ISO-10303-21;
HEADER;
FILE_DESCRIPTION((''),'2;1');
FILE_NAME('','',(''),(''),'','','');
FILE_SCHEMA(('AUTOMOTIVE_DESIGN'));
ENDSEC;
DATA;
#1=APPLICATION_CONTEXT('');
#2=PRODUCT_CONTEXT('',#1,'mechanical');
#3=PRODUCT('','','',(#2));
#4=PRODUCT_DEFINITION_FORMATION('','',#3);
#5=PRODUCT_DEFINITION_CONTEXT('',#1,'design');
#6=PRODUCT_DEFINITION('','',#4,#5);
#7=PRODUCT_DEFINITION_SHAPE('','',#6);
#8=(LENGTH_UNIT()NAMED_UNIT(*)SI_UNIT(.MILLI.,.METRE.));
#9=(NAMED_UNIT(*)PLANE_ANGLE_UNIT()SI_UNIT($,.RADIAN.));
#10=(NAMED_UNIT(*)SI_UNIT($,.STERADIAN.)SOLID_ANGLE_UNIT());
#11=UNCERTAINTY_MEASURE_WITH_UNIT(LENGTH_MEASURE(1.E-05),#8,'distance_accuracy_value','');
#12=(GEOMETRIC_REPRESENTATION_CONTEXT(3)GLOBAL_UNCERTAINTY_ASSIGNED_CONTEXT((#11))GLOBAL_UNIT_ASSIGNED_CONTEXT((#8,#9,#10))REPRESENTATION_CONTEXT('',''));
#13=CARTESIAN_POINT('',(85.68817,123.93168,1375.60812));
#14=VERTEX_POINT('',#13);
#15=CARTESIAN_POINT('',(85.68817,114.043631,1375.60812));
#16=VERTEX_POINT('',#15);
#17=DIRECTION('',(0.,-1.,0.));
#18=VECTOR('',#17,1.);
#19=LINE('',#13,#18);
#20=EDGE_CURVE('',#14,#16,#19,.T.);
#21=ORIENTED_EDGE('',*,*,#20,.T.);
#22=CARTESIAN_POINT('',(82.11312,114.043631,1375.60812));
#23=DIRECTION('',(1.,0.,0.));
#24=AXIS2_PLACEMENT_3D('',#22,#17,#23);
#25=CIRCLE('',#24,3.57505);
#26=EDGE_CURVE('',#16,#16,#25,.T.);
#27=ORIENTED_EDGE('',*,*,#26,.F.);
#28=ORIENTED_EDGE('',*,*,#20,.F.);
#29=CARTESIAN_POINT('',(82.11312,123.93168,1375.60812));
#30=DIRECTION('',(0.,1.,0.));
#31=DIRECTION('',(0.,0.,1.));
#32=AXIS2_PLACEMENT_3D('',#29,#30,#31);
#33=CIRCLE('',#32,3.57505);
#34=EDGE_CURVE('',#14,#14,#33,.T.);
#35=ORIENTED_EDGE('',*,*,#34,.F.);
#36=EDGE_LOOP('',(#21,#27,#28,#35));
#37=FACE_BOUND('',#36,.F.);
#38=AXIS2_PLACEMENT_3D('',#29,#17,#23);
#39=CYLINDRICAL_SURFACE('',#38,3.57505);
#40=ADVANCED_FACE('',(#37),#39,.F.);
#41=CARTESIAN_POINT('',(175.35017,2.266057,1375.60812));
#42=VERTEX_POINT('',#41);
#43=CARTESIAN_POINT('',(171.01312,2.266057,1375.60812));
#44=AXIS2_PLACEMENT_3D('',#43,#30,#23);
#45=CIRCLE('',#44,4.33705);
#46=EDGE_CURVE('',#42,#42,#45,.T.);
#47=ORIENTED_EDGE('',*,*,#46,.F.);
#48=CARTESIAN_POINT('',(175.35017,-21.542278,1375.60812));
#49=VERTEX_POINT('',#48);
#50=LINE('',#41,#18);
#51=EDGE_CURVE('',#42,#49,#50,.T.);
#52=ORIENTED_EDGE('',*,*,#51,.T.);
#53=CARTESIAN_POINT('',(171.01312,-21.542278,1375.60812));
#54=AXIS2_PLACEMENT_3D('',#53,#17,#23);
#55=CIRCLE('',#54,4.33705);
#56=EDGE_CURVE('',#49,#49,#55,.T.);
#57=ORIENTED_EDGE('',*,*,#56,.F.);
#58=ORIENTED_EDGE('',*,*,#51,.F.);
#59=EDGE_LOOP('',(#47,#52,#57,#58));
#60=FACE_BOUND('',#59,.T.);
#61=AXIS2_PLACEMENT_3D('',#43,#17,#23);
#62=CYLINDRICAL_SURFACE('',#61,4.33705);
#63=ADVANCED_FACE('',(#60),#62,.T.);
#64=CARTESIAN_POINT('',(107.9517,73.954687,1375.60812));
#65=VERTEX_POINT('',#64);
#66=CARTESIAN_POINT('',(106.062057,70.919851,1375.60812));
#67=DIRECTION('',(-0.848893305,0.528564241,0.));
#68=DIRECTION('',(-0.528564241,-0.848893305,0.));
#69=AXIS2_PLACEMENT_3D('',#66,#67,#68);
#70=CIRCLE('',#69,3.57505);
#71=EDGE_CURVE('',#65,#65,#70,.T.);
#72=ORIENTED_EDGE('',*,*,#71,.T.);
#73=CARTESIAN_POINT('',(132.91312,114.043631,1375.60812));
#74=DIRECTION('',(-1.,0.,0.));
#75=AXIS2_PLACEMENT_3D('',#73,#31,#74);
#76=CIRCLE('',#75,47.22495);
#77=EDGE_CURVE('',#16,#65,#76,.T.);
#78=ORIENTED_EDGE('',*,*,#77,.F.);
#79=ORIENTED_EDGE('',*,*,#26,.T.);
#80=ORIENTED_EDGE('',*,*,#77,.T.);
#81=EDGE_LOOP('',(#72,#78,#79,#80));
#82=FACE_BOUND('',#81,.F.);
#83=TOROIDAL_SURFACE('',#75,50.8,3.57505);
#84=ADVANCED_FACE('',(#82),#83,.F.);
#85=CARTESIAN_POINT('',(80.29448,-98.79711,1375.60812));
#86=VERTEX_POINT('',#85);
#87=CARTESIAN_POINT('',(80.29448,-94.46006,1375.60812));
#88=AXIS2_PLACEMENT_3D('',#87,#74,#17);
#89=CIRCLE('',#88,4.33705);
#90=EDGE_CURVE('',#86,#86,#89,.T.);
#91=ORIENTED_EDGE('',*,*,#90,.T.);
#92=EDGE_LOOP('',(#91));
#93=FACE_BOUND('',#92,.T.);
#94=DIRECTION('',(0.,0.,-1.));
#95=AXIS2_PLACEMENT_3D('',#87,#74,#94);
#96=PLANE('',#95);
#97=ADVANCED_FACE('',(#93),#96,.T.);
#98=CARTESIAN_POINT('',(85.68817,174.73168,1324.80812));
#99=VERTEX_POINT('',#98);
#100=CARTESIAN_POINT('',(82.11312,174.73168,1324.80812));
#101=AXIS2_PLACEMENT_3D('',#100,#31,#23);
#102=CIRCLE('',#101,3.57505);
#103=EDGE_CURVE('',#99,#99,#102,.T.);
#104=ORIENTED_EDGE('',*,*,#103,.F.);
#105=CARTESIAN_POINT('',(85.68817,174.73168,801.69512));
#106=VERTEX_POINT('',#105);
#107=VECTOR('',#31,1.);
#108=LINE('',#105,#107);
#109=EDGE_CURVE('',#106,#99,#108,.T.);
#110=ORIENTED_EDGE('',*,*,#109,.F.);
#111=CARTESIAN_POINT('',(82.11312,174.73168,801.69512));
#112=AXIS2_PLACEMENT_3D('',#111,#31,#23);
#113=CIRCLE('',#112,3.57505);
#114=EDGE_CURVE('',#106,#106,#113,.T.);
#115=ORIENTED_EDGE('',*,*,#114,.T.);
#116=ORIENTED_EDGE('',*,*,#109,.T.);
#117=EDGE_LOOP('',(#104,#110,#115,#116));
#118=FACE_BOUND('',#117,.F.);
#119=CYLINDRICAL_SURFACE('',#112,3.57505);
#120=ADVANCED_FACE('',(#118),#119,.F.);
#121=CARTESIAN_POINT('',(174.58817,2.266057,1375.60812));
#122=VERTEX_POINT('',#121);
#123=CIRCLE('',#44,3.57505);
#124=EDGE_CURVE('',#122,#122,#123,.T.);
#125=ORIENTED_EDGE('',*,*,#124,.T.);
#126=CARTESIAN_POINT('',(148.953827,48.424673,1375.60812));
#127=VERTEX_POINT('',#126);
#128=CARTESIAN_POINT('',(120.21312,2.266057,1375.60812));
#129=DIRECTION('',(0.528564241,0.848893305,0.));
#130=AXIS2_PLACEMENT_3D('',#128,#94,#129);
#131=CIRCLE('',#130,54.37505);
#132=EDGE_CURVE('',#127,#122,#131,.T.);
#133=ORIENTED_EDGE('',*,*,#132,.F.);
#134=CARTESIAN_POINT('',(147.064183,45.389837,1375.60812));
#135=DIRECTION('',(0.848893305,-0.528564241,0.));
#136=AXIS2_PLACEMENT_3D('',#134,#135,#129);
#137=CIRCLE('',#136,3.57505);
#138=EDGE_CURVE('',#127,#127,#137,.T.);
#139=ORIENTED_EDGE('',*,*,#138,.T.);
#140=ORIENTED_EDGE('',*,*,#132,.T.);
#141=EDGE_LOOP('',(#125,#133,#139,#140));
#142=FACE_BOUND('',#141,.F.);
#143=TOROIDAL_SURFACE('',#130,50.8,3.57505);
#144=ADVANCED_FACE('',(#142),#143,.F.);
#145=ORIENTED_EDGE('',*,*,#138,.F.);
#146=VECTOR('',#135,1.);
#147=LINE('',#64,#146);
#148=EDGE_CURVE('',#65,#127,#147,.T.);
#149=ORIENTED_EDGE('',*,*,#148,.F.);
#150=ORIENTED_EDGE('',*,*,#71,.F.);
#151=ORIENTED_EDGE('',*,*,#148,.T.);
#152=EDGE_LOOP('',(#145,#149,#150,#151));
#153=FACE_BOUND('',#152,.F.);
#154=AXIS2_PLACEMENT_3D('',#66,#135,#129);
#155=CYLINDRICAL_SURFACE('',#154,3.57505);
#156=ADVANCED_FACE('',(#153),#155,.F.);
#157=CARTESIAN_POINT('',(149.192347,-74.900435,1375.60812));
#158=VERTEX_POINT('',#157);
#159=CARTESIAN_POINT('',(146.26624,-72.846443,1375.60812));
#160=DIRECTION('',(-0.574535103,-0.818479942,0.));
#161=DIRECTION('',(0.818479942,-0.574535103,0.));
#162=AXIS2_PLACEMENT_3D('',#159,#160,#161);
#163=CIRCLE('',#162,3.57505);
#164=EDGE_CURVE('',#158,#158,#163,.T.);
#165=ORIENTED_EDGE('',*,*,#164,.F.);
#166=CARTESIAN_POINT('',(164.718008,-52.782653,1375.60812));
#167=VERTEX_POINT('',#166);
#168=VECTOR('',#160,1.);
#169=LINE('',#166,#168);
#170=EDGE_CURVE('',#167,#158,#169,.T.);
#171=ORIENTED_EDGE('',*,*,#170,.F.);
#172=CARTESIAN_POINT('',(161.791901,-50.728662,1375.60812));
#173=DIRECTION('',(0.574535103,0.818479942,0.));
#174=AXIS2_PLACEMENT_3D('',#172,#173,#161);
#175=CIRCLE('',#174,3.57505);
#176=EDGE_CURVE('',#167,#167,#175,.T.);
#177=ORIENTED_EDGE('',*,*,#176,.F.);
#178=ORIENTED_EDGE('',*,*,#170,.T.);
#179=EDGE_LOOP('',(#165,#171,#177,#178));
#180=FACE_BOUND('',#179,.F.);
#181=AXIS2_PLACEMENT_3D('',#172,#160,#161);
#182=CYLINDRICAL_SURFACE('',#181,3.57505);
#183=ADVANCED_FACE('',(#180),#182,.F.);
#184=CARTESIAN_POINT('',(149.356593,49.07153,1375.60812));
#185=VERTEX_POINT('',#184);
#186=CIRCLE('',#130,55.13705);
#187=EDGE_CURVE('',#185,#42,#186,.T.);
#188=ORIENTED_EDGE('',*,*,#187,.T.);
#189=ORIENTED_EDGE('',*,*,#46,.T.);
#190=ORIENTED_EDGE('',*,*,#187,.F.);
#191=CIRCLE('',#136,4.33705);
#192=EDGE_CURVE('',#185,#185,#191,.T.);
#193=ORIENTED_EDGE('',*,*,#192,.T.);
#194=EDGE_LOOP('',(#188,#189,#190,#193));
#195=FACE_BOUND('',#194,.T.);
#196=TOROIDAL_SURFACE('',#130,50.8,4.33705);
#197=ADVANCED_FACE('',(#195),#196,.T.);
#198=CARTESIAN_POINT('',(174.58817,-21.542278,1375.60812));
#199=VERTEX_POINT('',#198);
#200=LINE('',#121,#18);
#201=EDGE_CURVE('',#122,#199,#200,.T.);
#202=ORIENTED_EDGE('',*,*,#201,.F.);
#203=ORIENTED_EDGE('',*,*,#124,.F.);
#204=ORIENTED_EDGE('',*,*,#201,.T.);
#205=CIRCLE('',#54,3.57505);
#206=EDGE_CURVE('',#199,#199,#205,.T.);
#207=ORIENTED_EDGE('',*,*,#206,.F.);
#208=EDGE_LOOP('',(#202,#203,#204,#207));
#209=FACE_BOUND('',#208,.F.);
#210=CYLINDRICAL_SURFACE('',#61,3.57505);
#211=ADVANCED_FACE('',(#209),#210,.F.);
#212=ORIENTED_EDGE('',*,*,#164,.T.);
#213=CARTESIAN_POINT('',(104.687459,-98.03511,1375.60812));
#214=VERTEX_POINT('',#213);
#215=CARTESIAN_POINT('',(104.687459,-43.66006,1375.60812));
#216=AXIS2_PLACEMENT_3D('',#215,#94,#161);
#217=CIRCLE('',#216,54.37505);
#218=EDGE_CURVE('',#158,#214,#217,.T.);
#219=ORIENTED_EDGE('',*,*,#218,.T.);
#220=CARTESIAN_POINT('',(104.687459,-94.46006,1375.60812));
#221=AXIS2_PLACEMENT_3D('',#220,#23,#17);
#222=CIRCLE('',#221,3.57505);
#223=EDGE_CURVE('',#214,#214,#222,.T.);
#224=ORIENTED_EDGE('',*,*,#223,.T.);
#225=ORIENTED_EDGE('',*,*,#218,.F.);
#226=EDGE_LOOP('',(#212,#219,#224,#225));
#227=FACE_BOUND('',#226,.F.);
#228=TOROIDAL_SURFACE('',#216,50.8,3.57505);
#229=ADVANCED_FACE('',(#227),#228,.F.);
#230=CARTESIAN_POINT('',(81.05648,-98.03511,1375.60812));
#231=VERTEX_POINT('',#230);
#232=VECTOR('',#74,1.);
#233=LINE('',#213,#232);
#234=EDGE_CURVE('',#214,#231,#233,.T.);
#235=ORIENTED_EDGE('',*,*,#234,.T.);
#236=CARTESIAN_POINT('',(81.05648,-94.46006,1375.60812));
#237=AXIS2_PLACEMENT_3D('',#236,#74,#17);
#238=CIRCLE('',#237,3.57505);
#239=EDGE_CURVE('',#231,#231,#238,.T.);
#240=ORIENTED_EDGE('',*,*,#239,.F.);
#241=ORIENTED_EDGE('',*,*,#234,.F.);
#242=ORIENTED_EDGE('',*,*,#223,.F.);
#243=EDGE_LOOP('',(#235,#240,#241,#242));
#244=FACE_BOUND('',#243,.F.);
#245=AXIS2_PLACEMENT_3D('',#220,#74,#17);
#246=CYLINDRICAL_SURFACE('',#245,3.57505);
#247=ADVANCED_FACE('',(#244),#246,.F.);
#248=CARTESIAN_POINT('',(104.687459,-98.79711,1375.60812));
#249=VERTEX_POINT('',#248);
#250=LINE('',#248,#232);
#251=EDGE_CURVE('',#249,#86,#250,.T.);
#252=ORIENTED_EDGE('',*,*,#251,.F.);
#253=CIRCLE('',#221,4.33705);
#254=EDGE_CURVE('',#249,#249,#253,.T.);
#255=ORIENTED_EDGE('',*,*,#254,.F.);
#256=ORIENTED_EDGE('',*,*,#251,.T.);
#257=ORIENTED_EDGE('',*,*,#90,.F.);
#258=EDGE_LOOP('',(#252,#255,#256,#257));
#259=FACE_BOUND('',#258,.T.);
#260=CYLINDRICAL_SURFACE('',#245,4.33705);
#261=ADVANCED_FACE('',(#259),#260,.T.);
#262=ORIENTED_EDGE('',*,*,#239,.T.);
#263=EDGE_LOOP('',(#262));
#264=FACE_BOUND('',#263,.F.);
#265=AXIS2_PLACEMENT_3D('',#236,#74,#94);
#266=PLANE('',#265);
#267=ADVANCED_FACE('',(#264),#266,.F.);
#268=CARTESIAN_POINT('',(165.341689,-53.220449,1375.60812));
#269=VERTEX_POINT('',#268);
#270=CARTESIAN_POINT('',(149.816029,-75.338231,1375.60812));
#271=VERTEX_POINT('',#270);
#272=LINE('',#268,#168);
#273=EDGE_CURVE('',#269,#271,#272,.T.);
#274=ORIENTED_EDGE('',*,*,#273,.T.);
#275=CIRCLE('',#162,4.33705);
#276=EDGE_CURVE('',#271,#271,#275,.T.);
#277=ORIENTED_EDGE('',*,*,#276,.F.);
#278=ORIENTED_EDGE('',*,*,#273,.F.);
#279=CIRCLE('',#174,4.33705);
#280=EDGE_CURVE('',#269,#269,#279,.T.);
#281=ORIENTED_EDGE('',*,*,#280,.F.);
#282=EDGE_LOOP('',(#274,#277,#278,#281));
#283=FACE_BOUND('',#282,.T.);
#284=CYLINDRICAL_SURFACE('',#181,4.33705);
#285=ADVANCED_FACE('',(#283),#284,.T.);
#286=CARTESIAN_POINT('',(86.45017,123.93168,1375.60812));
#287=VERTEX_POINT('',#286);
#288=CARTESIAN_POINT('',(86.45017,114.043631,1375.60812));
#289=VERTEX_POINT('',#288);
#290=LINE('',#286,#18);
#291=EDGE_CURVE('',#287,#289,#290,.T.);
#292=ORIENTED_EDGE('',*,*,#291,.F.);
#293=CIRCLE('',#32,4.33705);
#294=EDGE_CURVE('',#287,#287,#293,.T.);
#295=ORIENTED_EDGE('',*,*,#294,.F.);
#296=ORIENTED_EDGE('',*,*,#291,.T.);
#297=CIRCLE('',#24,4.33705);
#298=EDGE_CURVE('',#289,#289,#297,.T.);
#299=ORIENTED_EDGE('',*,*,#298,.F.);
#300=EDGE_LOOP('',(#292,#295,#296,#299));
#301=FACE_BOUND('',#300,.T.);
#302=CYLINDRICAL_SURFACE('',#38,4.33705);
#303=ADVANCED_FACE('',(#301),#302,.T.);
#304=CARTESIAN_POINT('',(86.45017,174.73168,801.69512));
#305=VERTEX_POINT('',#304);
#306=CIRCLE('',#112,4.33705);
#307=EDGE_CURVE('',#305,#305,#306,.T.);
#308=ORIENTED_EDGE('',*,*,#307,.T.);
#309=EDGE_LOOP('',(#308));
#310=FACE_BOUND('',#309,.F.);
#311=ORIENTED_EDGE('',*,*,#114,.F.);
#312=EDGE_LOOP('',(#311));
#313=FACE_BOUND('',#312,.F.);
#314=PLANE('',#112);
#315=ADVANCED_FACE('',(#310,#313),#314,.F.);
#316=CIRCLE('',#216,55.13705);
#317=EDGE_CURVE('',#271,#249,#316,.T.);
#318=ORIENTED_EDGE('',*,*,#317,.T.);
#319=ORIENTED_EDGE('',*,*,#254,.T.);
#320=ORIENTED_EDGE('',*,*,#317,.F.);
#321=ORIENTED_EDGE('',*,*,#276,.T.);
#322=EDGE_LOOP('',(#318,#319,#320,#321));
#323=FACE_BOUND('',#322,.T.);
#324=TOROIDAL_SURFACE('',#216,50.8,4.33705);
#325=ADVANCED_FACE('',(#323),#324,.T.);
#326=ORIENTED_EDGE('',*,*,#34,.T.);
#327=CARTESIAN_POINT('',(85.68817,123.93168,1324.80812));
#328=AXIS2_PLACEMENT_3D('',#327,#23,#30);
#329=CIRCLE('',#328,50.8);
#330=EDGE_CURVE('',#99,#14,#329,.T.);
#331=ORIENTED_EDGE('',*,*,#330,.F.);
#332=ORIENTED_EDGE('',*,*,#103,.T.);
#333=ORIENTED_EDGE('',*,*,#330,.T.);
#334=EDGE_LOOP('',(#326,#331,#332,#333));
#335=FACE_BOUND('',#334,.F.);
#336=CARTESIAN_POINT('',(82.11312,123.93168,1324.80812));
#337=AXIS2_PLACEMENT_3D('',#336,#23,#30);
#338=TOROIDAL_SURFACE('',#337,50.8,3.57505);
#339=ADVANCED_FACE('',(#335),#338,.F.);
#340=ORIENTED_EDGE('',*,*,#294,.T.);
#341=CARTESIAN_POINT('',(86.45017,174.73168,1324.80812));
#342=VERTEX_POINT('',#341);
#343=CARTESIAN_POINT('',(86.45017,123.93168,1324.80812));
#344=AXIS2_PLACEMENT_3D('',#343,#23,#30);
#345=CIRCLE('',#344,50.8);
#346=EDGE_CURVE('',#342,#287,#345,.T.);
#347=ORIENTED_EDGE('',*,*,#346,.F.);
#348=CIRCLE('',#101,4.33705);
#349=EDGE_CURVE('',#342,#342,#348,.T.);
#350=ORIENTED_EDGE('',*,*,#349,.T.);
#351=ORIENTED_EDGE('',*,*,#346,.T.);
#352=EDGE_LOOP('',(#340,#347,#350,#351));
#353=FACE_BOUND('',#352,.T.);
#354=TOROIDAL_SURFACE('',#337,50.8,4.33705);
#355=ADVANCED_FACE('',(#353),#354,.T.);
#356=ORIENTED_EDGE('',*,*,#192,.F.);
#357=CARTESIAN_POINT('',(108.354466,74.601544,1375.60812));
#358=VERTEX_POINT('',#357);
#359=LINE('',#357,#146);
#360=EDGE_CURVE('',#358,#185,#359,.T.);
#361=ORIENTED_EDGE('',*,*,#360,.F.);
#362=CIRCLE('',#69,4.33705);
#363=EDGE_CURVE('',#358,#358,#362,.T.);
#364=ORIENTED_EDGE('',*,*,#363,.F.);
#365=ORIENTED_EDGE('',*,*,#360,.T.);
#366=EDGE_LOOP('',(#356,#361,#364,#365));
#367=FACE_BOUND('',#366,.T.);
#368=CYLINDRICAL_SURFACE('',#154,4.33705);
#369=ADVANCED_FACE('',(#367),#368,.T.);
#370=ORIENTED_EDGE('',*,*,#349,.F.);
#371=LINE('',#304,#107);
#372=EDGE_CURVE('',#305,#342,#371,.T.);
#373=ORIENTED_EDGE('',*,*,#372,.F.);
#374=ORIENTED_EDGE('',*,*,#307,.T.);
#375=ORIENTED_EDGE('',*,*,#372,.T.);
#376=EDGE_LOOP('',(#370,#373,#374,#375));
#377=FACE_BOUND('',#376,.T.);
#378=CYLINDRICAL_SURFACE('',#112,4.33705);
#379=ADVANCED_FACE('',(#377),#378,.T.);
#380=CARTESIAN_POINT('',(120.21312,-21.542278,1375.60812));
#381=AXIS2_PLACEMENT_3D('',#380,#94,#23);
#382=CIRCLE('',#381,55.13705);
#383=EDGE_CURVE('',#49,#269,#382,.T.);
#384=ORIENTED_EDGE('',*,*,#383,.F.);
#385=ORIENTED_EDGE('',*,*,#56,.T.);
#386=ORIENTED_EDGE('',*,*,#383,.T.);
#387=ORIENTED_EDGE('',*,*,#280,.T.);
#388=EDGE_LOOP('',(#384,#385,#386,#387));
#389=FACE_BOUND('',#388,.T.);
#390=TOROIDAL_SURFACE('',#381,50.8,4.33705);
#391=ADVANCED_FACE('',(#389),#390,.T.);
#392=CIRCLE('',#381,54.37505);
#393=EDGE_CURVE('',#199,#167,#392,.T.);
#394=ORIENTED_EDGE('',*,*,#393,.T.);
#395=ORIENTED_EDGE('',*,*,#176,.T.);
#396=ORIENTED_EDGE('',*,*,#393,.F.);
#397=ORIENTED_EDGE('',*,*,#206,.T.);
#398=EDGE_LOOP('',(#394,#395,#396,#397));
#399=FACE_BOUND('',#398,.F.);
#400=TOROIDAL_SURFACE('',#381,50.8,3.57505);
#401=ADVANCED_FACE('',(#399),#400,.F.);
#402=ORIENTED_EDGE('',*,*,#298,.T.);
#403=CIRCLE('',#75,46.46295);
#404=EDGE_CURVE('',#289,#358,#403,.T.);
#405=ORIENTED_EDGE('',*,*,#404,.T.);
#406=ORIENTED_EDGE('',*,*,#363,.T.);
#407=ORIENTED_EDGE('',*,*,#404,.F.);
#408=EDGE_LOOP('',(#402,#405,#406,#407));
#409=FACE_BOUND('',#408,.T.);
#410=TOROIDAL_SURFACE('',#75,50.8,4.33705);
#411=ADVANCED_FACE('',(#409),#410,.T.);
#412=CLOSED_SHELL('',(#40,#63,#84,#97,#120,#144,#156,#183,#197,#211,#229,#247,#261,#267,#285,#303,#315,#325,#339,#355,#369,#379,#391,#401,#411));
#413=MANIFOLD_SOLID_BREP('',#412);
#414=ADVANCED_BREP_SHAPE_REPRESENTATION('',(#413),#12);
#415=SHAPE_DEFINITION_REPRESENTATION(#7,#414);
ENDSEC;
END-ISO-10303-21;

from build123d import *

# Parameters (mm, degrees)
F13_R = 4.33705
F20_T = -0.762


with BuildPart() as f19:
    # F19: sweep along a path in F15, F18, F16
    with BuildLine(Plane.XZ.offset(-174.73168)) as f19_path:
        Line((82.11312, 801.69512), (82.11312, 877.89512))
    with BuildLine(Plane(origin=(82.11312, 0, 0), x_dir=(0, -1, 0), z_dir=(-1, 0, 0))) as f19_path_2:
        Line((-174.73168, 877.89512), (-174.73168, 1324.80812))
        ThreePointArc((-174.73168, 1324.80812), (-159.8527044843, 1360.7291444843), (-123.93168, 1375.60812))
        Line((-123.93168, 1375.60812), (-114.0436312907, 1375.60812))
    with BuildLine(Plane.XY.offset(1375.60812)) as f19_path_3:
        ThreePointArc((82.11312, 114.0436312907), (88.502118987, 89.3798321303), (106.0620565758, 70.9198513892))
        Line((106.0620565758, 70.9198513892), (147.0641834242, 45.3898372984))
        ThreePointArc((147.0641834242, 45.3898372984), (164.624121013, 26.9298565574), (171.01312, 2.266057397))
        Line((171.01312, 2.266057397), (171.01312, -21.5422784919))
        ThreePointArc((171.01312, -21.5422784919), (168.6529903434, -36.8464923273), (161.7919010583, -50.728661716))
        Line((161.7919010583, -50.728661716), (146.2662403552, -72.8464432241))
        ThreePointArc((146.2662403552, -72.8464432241), (128.1179067128, -88.7339341833), (104.6874592969, -94.46006))
        Line((104.6874592969, -94.46006), (80.29448, -94.46006))
    # F13 (on line) → F19 (sweep)
    with BuildSketch(Plane.XY.offset(801.69512)):
        with Locations((82.11312, 174.73168)):
            Circle(F13_R)
    sweep(path=f19_path.line + f19_path_2.line + f19_path_3.line)

    # F20
    f20_openings = [f19.faces().sort_by_distance(p)[0] for p in [
        (82.11312, 174.73168, 801.69512),
    ]]
    offset(amount=F20_T, openings=f20_openings)


solid = f19.part
